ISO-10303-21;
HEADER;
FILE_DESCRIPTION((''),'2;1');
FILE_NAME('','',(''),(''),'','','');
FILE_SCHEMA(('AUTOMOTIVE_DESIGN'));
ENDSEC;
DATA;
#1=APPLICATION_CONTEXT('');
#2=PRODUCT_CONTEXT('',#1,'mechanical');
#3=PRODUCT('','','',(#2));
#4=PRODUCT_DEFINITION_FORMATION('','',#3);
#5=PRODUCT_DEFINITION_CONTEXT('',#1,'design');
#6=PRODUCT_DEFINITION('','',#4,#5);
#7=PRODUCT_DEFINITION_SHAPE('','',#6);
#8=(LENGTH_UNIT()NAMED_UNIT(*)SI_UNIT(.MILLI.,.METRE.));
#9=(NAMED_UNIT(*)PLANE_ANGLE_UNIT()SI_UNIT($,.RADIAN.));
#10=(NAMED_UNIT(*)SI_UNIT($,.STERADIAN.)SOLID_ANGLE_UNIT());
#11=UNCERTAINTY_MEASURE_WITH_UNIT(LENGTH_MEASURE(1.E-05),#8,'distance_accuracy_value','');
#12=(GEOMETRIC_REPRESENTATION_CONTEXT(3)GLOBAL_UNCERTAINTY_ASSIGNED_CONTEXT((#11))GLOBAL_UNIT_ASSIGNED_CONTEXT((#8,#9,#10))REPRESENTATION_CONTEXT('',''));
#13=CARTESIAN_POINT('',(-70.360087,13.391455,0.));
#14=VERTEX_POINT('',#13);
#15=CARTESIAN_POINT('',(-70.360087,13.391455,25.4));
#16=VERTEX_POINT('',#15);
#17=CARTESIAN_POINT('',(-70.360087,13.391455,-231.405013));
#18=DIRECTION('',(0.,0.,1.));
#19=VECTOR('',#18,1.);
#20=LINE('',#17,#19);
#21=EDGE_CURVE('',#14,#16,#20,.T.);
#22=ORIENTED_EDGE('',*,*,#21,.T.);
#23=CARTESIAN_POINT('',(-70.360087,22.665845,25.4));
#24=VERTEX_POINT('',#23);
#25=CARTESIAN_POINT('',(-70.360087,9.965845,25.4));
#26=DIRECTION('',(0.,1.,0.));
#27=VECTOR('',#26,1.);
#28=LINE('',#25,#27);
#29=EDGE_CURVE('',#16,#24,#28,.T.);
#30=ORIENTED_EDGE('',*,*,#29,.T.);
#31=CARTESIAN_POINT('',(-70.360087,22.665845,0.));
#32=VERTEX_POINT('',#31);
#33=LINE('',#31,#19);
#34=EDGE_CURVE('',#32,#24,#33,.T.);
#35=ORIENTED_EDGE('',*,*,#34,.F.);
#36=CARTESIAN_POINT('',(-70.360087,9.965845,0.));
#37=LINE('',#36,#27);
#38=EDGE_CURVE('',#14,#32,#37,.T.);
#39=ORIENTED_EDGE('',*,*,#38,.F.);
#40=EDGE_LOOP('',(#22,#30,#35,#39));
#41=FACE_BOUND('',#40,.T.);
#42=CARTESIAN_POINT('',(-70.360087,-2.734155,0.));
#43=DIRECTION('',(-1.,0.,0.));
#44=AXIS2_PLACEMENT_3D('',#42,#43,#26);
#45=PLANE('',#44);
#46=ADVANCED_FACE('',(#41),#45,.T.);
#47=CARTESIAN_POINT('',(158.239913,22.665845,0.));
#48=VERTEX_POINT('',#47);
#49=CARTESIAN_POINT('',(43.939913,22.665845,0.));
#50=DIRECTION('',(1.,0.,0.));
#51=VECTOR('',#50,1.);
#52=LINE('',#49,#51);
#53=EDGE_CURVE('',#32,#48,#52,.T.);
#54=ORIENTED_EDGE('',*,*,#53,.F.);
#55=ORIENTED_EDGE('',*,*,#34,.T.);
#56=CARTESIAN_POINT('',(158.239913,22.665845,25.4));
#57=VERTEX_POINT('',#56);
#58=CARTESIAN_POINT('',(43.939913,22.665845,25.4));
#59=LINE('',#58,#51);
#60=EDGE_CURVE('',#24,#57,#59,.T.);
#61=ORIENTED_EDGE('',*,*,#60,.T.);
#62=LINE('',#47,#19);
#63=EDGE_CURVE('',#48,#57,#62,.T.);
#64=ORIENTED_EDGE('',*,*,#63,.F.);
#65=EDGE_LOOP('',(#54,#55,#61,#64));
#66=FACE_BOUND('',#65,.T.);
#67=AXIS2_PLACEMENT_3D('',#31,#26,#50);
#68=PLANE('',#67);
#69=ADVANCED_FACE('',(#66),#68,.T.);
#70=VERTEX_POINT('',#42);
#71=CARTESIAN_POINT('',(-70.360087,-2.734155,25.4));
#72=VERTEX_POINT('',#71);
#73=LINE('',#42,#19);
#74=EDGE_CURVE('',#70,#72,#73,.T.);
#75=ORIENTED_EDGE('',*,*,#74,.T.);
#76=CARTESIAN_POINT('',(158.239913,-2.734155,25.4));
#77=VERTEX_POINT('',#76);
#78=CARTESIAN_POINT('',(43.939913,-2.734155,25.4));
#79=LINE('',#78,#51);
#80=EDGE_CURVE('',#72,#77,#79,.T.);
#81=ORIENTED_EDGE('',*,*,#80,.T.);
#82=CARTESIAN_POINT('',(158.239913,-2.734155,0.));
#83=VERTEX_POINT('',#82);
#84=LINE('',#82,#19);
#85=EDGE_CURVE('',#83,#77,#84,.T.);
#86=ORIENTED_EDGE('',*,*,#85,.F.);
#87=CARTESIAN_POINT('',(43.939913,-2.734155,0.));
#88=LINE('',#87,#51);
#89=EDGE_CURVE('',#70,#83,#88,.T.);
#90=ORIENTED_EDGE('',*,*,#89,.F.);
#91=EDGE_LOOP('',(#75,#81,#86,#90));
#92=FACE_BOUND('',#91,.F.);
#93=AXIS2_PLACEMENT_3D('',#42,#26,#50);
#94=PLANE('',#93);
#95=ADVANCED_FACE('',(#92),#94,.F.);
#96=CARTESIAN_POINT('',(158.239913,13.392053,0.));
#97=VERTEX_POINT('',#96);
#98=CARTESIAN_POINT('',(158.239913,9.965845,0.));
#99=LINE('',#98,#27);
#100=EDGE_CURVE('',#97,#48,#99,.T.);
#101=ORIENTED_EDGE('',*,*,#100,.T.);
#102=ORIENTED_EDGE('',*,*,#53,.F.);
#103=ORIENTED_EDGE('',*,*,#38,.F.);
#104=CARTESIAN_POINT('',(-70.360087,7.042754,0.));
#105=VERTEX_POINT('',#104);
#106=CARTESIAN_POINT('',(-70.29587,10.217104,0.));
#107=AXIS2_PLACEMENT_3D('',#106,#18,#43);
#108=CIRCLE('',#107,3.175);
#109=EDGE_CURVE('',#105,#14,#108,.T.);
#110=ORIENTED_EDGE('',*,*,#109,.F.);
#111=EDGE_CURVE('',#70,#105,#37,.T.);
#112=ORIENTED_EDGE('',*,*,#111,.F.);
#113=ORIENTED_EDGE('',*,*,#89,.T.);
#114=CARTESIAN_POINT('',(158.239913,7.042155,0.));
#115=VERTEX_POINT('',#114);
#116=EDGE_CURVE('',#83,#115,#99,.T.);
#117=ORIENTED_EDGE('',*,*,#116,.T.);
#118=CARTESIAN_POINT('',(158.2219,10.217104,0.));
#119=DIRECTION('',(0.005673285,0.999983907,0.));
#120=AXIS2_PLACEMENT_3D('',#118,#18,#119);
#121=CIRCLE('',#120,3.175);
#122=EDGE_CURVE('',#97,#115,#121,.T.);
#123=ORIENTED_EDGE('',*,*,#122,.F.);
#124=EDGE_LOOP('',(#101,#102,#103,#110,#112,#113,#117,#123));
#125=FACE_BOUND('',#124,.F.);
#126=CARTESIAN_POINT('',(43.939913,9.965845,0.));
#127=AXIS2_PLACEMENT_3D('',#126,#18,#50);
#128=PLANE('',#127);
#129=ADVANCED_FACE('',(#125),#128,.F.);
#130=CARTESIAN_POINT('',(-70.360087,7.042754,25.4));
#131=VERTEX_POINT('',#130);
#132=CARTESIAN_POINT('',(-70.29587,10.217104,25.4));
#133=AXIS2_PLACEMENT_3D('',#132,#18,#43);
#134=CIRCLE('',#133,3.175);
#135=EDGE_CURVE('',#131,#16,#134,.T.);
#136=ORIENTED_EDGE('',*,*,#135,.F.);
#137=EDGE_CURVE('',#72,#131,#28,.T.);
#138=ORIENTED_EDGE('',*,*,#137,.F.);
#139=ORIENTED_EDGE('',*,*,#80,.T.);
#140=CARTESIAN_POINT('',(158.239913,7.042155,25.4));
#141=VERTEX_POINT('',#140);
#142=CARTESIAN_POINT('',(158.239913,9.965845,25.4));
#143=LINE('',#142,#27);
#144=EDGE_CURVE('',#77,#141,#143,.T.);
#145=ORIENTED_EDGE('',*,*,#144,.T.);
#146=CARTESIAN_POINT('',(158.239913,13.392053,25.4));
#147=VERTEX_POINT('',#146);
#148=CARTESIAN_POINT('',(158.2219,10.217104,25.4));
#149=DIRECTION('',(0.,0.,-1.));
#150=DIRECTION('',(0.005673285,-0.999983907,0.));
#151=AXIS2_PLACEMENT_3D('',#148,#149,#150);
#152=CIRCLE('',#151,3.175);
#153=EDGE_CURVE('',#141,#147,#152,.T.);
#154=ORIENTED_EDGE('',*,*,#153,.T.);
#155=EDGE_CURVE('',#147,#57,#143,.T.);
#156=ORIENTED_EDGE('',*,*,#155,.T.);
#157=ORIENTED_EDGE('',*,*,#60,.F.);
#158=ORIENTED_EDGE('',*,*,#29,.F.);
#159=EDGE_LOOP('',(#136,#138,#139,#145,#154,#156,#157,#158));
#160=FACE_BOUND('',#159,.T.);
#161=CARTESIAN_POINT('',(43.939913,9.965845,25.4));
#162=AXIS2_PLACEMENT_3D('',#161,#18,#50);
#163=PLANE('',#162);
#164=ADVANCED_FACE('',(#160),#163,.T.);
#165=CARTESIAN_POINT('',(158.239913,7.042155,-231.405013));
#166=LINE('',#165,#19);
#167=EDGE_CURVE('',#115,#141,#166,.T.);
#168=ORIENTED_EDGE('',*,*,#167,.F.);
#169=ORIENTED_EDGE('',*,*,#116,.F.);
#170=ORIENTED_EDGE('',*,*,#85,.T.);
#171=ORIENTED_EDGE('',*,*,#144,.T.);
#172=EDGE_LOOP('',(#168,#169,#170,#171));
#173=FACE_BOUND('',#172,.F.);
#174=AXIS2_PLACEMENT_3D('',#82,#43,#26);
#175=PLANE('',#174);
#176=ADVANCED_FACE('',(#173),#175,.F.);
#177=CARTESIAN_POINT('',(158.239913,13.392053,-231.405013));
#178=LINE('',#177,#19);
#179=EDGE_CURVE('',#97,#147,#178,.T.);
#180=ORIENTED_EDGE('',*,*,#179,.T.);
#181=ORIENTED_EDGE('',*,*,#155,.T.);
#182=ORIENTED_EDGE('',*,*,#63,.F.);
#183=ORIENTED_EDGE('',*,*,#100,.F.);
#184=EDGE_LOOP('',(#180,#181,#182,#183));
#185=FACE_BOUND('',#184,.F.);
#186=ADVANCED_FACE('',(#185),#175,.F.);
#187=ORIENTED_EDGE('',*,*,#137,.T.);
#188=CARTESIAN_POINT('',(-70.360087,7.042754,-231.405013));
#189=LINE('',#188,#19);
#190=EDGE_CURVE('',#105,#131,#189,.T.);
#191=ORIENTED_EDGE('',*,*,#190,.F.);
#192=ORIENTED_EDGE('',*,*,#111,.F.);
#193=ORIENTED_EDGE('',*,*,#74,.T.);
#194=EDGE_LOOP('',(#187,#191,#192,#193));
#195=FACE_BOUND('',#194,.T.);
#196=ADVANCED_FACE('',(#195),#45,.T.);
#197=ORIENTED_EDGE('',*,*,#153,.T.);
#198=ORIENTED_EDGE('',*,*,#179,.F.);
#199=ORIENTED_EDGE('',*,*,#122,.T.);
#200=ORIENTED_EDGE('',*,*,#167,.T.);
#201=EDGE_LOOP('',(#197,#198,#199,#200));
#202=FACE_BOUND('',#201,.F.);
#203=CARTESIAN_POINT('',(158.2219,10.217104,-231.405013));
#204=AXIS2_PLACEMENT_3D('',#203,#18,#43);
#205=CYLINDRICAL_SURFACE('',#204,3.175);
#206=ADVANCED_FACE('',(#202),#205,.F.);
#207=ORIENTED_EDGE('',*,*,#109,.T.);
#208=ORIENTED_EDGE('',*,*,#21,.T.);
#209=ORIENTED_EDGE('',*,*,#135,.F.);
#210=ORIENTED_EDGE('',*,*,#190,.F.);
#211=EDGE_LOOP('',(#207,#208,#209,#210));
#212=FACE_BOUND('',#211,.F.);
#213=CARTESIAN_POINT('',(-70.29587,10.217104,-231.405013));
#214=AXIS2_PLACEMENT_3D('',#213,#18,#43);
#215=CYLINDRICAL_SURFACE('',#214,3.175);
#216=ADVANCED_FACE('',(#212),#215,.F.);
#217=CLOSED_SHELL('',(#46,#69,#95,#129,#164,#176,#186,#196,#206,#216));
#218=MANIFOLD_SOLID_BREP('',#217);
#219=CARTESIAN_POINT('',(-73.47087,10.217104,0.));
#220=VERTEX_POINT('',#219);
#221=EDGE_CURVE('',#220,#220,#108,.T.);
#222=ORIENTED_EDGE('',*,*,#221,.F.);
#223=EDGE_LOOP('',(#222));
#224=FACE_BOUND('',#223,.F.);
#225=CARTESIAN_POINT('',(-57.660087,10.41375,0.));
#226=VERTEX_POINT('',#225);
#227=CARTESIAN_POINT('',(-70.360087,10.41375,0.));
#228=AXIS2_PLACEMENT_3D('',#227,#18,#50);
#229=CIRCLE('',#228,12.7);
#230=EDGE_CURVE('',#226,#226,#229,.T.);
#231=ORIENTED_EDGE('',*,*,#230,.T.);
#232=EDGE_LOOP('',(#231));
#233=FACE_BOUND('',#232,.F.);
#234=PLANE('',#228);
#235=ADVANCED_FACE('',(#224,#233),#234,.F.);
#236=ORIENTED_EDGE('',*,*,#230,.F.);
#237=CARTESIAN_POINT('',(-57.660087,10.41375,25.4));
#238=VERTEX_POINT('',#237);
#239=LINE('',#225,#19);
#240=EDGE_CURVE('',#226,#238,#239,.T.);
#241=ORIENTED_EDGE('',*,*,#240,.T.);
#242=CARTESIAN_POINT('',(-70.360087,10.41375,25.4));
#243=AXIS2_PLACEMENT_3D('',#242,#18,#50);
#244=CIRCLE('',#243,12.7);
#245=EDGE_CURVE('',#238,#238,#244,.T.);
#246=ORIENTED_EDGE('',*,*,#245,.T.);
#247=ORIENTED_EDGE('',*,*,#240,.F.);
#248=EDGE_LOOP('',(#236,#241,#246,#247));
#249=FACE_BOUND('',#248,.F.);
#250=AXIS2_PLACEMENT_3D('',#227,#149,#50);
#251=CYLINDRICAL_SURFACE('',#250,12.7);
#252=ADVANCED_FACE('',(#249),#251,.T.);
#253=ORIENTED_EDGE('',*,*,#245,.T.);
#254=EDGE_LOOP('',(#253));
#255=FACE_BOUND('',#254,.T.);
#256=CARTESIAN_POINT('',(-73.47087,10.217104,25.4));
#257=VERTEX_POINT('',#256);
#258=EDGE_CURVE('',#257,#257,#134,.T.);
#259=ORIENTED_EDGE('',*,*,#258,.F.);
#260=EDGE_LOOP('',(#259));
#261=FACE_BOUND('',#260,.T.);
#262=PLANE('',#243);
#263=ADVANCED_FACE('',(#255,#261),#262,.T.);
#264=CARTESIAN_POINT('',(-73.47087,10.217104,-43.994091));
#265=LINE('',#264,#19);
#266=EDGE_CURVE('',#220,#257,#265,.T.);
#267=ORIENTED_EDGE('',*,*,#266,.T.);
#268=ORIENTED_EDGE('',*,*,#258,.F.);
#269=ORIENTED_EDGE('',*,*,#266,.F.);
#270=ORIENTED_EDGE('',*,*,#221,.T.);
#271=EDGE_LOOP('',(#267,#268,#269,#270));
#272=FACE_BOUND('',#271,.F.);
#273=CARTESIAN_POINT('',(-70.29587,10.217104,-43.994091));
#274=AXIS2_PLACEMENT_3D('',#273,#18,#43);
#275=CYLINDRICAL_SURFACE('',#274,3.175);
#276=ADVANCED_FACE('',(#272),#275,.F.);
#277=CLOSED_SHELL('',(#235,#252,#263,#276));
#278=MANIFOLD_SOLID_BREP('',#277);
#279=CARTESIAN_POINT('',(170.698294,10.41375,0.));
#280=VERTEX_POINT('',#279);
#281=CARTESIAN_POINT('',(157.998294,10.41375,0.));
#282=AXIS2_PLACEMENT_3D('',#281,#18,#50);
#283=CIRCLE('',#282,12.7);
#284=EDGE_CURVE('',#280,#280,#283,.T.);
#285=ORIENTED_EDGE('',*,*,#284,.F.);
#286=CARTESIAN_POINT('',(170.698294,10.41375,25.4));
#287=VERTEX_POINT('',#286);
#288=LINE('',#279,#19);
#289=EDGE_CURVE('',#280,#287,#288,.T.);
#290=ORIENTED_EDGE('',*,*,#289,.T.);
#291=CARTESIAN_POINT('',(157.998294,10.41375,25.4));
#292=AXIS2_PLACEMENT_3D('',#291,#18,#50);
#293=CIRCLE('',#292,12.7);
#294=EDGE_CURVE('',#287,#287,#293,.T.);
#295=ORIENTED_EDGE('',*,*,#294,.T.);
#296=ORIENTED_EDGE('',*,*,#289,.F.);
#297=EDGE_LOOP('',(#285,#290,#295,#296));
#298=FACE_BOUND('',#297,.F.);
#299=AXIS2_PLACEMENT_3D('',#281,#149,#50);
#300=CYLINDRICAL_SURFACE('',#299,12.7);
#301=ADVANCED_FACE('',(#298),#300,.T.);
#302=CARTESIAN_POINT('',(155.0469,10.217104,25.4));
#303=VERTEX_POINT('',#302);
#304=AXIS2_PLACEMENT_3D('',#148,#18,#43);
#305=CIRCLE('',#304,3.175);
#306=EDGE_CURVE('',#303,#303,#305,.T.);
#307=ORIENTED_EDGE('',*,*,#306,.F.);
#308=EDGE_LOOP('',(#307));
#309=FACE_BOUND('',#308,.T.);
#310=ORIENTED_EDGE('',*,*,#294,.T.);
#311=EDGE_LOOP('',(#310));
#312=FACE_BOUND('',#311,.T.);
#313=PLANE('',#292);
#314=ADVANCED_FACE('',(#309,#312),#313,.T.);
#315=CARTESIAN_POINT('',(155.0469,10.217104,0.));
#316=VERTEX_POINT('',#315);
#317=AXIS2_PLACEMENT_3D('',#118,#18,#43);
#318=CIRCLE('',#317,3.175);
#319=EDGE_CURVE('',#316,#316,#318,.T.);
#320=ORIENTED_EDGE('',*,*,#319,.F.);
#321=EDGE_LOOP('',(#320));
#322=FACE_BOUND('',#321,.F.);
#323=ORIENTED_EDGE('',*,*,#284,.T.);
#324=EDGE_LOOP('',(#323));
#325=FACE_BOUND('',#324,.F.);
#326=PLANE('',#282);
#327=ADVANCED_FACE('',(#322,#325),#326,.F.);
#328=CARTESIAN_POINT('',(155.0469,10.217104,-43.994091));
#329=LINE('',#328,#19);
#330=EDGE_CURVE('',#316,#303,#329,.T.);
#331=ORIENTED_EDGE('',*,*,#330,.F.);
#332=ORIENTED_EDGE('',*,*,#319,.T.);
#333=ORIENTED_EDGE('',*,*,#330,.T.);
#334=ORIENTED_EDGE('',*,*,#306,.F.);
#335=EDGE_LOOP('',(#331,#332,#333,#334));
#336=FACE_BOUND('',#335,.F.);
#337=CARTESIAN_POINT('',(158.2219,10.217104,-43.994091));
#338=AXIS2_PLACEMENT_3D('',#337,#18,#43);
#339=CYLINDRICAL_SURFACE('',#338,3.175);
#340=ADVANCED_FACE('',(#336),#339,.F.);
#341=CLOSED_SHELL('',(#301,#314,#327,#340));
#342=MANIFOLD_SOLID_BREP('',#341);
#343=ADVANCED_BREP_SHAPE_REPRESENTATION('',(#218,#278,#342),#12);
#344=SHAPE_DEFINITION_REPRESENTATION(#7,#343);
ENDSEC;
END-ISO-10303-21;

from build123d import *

# Parameters (mm, degrees)
F1_R     = 12.7
F2_DEPTH = 25.4
F0_W     = 228.6
F0_H     = 25.4
F4_D     = 6.35
F4_2_D   = 6.35
F6_D     = 6.35
F6_2_D   = 6.35


with BuildPart() as f2:
    # F1 (on Top) → F2 (new body)
    with BuildSketch(Plane.XY):
        with Locations((-70.3600868583, 10.4137500748)):
            Circle(F1_R)
    extrude(amount=F2_DEPTH)

    # F4 (through all)
    with Locations(Plane(origin=(0, 0, 0), x_dir=(1, 0, 0), z_dir=(0, 0, -1))):
        with Locations((-70.2958703041, -10.2171041071)):
            Hole(F4_D / 2)


with BuildPart() as f2b:
    # F1 (on Top) → F2, piece 2 (new body)
    with BuildSketch(Plane.XY):
        with Locations((157.9982936382, 10.4137500748)):
            Circle(F1_R)
    extrude(amount=F2_DEPTH)

    # F6 (through all)
    with Locations(Plane(origin=(0, 0, 0), x_dir=(1, 0, 0), z_dir=(0, 0, -1))):
        with Locations((158.2219004631, -10.2171041071)):
            Hole(F6_D / 2)


with BuildPart() as f2c:
    # F0 (on Top) → F2, piece 3 (new body)
    with BuildSketch(Plane.XY):
        with Locations((43.9399131417, 9.9658453044)):
            Rectangle(F0_W, F0_H)
    extrude(amount=F2_DEPTH)

    # F4#2 (through all)
    with Locations(Plane(origin=(0, 0, 0), x_dir=(1, 0, 0), z_dir=(0, 0, -1))):
        with Locations((-70.2958703041, -10.2171041071)):
            Hole(F4_2_D / 2)

    # F6#2 (through all)
    with Locations(Plane(origin=(0, 0, 0), x_dir=(1, 0, 0), z_dir=(0, 0, -1))):
        with Locations((158.2219004631, -10.2171041071)):
            Hole(F6_2_D / 2)


solid = Compound([f2.part, f2b.part, f2c.part])
